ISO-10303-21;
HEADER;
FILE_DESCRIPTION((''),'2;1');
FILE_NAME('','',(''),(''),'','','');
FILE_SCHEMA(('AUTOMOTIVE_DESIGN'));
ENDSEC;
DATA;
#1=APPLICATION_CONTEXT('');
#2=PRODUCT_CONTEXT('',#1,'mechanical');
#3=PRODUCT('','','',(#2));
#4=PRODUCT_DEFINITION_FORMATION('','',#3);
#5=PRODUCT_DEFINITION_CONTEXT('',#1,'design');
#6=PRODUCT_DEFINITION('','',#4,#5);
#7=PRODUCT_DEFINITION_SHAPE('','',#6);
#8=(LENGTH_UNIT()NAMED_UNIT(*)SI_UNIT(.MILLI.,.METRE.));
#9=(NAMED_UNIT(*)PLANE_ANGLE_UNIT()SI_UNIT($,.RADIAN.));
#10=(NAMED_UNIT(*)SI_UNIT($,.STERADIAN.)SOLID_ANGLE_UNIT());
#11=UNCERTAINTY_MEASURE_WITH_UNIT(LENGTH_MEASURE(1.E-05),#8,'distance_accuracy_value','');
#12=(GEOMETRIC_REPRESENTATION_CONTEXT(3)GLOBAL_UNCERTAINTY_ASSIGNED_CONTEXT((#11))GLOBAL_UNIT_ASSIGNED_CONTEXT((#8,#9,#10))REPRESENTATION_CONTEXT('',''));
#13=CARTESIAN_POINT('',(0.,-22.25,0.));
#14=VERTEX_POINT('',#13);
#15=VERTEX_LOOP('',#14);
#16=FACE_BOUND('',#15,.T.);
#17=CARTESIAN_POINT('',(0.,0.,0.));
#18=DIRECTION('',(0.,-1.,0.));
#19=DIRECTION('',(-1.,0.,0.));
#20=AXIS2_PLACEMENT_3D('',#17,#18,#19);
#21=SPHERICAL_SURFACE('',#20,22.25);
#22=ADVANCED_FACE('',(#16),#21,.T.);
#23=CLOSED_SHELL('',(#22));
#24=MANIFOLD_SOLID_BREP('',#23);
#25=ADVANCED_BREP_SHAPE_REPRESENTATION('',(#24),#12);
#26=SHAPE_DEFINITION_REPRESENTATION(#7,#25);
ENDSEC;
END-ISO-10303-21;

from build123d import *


with BuildPart() as part:
    # Esquisse1 → Révolution1 (revolve)
    with BuildSketch(Plane.XY):
        with BuildLine():
            Line((0, 22.25), (0, -22.25))
            ThreePointArc((0, -22.25), (22.25, 0), (0, 22.25))
        make_face()
    revolve(axis=Axis((0, -24.475, 0), (0, 1, 0)))


solid = part.part
